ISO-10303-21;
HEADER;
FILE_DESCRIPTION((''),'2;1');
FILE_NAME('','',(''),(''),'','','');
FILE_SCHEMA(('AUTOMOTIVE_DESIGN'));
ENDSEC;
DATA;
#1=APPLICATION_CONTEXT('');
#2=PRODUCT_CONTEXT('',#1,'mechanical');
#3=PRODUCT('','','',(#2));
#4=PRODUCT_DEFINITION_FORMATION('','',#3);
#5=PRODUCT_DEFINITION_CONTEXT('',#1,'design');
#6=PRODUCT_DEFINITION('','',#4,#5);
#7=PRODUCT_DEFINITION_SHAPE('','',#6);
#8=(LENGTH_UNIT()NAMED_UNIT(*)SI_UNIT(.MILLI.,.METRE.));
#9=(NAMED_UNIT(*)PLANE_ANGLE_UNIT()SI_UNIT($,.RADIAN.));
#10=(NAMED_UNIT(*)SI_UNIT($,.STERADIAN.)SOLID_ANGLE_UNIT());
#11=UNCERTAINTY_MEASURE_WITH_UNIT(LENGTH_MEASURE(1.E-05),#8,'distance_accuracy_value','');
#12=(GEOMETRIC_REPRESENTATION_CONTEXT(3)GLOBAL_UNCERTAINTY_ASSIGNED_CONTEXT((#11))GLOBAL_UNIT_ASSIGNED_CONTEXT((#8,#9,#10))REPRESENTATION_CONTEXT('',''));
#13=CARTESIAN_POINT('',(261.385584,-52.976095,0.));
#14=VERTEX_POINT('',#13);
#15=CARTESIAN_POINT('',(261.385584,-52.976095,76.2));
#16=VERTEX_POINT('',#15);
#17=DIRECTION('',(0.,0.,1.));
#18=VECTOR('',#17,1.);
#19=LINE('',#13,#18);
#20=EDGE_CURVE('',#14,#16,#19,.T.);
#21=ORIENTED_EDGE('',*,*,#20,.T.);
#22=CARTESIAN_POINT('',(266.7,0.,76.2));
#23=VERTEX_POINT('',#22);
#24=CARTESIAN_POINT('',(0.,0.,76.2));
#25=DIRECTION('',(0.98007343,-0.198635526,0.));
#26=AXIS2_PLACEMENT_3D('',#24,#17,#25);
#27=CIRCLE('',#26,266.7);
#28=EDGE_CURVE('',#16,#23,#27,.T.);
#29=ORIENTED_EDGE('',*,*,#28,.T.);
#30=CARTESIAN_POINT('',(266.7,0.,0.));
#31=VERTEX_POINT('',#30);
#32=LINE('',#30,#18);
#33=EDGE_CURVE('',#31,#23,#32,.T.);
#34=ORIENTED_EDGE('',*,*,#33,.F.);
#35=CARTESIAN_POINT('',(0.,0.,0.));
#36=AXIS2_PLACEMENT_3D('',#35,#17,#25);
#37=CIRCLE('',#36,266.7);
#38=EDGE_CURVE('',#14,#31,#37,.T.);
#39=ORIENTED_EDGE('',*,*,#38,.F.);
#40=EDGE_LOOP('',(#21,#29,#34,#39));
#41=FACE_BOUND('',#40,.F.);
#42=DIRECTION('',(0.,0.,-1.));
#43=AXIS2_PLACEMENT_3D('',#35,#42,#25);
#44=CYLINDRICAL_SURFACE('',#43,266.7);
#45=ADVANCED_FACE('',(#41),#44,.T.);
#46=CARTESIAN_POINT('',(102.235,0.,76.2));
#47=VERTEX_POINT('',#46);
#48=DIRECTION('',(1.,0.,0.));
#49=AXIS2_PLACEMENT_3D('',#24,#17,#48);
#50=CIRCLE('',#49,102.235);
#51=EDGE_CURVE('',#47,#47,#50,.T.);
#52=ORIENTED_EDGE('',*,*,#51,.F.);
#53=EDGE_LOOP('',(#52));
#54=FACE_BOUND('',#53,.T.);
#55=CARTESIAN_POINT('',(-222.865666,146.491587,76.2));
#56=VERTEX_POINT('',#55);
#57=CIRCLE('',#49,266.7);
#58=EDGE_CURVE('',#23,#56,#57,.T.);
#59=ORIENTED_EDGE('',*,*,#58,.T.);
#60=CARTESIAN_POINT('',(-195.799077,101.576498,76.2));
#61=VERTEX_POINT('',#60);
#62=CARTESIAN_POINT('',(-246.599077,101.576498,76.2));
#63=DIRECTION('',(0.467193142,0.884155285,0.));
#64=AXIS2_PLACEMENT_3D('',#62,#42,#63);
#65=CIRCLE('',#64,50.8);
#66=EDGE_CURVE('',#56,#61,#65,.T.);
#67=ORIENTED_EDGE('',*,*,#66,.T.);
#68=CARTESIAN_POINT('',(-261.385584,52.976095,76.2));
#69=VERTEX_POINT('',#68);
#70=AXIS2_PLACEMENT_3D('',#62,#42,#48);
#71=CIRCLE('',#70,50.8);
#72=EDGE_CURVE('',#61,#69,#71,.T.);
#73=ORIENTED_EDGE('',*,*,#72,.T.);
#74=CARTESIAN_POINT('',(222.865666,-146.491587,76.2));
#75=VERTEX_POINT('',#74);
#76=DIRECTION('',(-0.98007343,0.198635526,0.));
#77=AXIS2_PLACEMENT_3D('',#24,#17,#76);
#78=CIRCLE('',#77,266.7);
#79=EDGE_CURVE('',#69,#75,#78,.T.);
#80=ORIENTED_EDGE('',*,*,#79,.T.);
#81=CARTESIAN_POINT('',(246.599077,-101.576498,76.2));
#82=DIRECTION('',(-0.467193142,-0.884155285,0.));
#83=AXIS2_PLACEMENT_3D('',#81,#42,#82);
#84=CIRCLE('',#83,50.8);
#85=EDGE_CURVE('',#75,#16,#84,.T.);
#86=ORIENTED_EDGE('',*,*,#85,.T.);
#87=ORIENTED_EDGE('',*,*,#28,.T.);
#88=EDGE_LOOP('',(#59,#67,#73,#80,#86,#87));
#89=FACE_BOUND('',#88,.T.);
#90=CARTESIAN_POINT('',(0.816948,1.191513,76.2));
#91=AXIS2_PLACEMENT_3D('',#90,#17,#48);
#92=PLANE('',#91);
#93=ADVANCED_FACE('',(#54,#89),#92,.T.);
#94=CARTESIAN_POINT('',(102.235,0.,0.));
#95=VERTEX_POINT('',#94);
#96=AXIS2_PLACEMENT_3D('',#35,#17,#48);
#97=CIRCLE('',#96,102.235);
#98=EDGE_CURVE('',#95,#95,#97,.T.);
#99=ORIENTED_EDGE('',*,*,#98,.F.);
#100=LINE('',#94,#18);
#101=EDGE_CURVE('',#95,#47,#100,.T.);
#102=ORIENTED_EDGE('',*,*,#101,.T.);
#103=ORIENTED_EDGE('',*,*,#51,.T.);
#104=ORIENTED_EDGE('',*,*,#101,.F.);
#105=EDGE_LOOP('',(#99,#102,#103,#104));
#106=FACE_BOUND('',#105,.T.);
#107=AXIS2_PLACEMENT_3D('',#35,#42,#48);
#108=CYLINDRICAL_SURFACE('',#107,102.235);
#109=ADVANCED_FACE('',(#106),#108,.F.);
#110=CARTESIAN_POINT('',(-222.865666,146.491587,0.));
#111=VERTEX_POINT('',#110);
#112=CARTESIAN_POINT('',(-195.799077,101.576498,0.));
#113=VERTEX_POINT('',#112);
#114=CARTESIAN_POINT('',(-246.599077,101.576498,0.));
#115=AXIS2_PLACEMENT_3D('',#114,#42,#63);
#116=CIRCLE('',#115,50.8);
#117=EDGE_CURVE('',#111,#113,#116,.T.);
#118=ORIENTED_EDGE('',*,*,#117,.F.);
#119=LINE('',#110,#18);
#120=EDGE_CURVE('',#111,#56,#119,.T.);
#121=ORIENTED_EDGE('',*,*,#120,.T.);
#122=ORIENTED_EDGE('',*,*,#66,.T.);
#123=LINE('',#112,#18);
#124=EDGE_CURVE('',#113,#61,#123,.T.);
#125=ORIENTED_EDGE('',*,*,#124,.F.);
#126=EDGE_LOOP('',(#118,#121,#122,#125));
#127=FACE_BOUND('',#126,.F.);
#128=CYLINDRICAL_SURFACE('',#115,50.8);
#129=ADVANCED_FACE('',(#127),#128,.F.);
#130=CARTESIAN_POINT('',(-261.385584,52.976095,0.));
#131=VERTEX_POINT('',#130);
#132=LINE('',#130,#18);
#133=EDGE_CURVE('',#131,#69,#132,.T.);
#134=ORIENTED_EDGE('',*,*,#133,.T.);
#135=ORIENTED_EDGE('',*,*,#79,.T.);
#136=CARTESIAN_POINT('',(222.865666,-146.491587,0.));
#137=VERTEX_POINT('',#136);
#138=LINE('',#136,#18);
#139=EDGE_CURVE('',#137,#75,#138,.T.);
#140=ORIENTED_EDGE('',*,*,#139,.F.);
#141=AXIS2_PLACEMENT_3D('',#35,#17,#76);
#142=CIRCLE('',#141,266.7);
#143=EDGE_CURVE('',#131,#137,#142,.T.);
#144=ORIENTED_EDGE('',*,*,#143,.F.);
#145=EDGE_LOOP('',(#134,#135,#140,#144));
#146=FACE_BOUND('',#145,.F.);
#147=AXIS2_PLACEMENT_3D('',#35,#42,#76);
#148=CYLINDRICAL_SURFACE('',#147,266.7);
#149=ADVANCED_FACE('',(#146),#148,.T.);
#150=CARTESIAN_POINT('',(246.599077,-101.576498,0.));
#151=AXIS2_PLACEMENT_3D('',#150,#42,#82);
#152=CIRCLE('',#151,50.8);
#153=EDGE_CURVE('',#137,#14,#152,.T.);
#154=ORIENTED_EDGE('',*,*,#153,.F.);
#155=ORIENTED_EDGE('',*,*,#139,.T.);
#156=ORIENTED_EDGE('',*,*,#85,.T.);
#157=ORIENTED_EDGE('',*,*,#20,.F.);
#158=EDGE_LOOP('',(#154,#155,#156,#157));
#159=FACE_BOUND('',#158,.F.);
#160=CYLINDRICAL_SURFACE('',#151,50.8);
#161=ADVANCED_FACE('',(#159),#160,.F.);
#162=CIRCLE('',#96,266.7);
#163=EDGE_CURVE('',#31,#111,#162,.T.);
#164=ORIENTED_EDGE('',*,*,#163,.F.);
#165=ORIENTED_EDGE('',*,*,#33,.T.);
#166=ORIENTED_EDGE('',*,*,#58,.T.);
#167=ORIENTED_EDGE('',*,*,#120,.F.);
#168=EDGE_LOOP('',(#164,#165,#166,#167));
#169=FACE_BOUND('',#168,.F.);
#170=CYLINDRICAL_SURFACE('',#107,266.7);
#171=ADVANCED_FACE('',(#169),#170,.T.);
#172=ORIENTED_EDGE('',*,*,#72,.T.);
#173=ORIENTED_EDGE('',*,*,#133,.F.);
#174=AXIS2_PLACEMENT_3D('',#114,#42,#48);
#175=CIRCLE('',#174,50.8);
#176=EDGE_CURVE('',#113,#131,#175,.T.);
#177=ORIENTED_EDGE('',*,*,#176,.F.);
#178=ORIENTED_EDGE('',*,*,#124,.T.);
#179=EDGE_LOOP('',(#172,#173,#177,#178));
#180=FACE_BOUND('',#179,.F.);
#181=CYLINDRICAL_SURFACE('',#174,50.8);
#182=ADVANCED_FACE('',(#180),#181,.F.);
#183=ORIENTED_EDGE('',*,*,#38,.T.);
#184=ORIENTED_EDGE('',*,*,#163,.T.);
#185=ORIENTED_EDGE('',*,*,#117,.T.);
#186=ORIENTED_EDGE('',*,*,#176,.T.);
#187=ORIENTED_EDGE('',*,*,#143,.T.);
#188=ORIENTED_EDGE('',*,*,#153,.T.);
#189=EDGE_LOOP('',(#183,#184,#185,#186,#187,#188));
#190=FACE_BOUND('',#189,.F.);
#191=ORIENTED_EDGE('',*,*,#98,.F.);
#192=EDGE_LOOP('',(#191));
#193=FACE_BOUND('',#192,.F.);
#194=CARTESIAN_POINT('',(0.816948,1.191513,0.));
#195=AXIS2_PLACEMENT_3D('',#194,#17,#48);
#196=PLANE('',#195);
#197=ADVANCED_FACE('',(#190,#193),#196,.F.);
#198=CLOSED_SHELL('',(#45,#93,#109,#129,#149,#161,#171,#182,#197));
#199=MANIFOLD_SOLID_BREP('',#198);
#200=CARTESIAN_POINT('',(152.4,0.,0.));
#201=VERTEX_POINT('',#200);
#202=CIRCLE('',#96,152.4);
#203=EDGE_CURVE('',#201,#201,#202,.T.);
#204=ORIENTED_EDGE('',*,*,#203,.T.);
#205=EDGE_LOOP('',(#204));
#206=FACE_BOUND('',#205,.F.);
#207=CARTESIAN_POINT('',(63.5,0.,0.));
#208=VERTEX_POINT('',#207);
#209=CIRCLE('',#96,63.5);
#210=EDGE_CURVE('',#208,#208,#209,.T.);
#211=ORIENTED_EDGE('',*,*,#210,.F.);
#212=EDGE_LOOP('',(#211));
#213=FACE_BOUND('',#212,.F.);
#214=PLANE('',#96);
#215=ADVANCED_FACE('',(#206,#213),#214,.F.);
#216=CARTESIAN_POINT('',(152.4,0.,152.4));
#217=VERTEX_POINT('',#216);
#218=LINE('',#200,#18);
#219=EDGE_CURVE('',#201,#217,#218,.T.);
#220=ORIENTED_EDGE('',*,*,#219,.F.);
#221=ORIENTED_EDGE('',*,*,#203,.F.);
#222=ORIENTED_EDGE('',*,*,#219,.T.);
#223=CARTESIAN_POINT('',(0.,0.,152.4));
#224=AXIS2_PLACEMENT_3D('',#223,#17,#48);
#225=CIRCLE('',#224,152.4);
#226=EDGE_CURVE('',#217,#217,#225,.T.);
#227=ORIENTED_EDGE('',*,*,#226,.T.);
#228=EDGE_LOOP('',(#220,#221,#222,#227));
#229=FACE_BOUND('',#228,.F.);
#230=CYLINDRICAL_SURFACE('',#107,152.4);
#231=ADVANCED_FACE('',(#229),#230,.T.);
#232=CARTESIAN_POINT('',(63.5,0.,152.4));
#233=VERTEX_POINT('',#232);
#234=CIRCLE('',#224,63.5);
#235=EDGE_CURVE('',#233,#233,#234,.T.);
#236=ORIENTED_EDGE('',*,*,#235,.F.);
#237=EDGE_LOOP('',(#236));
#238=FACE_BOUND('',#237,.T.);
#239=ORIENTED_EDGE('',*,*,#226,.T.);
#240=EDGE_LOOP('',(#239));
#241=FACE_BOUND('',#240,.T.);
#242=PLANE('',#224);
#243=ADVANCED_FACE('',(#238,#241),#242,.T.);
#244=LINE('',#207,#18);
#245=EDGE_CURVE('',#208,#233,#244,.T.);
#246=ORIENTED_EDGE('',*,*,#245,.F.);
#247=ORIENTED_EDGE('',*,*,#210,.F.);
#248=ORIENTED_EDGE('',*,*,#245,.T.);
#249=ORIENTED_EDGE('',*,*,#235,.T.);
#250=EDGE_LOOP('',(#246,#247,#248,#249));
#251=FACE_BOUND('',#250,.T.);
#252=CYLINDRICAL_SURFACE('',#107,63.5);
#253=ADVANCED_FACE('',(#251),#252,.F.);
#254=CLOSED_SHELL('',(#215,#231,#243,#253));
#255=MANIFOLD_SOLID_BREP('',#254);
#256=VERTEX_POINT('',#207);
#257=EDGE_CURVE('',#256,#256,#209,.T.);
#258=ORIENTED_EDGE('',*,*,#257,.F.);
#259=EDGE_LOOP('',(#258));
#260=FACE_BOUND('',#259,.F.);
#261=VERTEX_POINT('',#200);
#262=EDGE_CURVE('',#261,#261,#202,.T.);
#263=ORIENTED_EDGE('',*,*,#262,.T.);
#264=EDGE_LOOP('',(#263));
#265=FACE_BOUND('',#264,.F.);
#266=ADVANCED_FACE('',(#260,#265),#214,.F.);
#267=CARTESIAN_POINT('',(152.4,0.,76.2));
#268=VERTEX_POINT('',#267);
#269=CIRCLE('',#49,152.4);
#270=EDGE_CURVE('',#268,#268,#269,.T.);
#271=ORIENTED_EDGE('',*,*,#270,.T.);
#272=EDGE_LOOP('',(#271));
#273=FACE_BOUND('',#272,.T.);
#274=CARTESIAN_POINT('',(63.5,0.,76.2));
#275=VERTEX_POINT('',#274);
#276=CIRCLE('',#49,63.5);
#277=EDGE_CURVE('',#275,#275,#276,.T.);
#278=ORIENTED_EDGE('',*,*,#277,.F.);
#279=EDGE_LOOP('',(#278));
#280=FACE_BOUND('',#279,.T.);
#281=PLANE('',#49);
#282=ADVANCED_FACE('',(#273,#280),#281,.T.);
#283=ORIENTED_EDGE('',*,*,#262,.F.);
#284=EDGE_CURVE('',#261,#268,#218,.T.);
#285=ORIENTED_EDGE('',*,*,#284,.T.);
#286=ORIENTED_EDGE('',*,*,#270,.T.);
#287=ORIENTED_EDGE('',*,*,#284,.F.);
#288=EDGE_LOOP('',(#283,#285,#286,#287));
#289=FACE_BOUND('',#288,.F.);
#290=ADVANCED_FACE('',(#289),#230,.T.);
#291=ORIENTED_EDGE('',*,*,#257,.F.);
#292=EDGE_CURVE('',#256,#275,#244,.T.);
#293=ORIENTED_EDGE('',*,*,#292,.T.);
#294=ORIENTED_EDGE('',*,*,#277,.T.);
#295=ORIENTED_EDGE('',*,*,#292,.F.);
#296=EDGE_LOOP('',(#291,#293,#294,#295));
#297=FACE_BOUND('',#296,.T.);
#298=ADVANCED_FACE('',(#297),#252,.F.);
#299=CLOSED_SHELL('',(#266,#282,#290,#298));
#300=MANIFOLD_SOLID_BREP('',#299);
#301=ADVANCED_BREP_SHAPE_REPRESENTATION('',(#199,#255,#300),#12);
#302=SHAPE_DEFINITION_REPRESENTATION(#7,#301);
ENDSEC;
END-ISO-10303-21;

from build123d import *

# Parameters (mm, degrees)
F0_R     = 152.4
F0_R_2   = 63.5
F1_DEPTH = 152.4
F2_R     = 102.235
F3_DEPTH = 76.2


with BuildPart() as f1:
    # F0 (on Top) → F1 (new body)
    with BuildSketch(Plane.XY):
        Circle(F0_R)
        Circle(F0_R_2, mode=Mode.SUBTRACT)
    extrude(amount=F1_DEPTH)


with BuildPart() as f3:
    # F2 (on Top) → F3 (new body)
    with BuildSketch(Plane.XY):
        with BuildLine():
            ThreePointArc((261.3855837432, -52.9760947147), (265.3680700313, -26.6209956208), (266.7, 0))
            ThreePointArc((266.7, 0), (76.4546170247, 255.506519556), (-222.8656658089, 146.4915868013))
            ThreePointArc((-222.8656658089, 146.4915868013), (-203.0887492847, 127.7965544811), (-195.7990774278, 101.576498324))
            ThreePointArc((-195.7990774278, 101.576498324), (-216.3543631856, 60.7610936291), (-261.3855837432, 52.9760947147))
            ThreePointArc((-261.3855837432, 52.9760947147), (-101.576498324, -246.5990774278), (222.8656658089, -146.4915868013))
            ThreePointArc((222.8656658089, -146.4915868013), (199.6278245844, -82.2285938813), (261.3855837432, -52.9760947147))
        make_face()
        Circle(F2_R, mode=Mode.SUBTRACT)
    extrude(amount=F3_DEPTH)


with BuildPart() as f3b:
    # F0 (on Top) → F3, piece 2 (new body)
    with BuildSketch(Plane.XY):
        Circle(F0_R)
        Circle(F0_R_2, mode=Mode.SUBTRACT)
    extrude(amount=F3_DEPTH)


solid = Compound([f1.part, f3.part, f3b.part])
